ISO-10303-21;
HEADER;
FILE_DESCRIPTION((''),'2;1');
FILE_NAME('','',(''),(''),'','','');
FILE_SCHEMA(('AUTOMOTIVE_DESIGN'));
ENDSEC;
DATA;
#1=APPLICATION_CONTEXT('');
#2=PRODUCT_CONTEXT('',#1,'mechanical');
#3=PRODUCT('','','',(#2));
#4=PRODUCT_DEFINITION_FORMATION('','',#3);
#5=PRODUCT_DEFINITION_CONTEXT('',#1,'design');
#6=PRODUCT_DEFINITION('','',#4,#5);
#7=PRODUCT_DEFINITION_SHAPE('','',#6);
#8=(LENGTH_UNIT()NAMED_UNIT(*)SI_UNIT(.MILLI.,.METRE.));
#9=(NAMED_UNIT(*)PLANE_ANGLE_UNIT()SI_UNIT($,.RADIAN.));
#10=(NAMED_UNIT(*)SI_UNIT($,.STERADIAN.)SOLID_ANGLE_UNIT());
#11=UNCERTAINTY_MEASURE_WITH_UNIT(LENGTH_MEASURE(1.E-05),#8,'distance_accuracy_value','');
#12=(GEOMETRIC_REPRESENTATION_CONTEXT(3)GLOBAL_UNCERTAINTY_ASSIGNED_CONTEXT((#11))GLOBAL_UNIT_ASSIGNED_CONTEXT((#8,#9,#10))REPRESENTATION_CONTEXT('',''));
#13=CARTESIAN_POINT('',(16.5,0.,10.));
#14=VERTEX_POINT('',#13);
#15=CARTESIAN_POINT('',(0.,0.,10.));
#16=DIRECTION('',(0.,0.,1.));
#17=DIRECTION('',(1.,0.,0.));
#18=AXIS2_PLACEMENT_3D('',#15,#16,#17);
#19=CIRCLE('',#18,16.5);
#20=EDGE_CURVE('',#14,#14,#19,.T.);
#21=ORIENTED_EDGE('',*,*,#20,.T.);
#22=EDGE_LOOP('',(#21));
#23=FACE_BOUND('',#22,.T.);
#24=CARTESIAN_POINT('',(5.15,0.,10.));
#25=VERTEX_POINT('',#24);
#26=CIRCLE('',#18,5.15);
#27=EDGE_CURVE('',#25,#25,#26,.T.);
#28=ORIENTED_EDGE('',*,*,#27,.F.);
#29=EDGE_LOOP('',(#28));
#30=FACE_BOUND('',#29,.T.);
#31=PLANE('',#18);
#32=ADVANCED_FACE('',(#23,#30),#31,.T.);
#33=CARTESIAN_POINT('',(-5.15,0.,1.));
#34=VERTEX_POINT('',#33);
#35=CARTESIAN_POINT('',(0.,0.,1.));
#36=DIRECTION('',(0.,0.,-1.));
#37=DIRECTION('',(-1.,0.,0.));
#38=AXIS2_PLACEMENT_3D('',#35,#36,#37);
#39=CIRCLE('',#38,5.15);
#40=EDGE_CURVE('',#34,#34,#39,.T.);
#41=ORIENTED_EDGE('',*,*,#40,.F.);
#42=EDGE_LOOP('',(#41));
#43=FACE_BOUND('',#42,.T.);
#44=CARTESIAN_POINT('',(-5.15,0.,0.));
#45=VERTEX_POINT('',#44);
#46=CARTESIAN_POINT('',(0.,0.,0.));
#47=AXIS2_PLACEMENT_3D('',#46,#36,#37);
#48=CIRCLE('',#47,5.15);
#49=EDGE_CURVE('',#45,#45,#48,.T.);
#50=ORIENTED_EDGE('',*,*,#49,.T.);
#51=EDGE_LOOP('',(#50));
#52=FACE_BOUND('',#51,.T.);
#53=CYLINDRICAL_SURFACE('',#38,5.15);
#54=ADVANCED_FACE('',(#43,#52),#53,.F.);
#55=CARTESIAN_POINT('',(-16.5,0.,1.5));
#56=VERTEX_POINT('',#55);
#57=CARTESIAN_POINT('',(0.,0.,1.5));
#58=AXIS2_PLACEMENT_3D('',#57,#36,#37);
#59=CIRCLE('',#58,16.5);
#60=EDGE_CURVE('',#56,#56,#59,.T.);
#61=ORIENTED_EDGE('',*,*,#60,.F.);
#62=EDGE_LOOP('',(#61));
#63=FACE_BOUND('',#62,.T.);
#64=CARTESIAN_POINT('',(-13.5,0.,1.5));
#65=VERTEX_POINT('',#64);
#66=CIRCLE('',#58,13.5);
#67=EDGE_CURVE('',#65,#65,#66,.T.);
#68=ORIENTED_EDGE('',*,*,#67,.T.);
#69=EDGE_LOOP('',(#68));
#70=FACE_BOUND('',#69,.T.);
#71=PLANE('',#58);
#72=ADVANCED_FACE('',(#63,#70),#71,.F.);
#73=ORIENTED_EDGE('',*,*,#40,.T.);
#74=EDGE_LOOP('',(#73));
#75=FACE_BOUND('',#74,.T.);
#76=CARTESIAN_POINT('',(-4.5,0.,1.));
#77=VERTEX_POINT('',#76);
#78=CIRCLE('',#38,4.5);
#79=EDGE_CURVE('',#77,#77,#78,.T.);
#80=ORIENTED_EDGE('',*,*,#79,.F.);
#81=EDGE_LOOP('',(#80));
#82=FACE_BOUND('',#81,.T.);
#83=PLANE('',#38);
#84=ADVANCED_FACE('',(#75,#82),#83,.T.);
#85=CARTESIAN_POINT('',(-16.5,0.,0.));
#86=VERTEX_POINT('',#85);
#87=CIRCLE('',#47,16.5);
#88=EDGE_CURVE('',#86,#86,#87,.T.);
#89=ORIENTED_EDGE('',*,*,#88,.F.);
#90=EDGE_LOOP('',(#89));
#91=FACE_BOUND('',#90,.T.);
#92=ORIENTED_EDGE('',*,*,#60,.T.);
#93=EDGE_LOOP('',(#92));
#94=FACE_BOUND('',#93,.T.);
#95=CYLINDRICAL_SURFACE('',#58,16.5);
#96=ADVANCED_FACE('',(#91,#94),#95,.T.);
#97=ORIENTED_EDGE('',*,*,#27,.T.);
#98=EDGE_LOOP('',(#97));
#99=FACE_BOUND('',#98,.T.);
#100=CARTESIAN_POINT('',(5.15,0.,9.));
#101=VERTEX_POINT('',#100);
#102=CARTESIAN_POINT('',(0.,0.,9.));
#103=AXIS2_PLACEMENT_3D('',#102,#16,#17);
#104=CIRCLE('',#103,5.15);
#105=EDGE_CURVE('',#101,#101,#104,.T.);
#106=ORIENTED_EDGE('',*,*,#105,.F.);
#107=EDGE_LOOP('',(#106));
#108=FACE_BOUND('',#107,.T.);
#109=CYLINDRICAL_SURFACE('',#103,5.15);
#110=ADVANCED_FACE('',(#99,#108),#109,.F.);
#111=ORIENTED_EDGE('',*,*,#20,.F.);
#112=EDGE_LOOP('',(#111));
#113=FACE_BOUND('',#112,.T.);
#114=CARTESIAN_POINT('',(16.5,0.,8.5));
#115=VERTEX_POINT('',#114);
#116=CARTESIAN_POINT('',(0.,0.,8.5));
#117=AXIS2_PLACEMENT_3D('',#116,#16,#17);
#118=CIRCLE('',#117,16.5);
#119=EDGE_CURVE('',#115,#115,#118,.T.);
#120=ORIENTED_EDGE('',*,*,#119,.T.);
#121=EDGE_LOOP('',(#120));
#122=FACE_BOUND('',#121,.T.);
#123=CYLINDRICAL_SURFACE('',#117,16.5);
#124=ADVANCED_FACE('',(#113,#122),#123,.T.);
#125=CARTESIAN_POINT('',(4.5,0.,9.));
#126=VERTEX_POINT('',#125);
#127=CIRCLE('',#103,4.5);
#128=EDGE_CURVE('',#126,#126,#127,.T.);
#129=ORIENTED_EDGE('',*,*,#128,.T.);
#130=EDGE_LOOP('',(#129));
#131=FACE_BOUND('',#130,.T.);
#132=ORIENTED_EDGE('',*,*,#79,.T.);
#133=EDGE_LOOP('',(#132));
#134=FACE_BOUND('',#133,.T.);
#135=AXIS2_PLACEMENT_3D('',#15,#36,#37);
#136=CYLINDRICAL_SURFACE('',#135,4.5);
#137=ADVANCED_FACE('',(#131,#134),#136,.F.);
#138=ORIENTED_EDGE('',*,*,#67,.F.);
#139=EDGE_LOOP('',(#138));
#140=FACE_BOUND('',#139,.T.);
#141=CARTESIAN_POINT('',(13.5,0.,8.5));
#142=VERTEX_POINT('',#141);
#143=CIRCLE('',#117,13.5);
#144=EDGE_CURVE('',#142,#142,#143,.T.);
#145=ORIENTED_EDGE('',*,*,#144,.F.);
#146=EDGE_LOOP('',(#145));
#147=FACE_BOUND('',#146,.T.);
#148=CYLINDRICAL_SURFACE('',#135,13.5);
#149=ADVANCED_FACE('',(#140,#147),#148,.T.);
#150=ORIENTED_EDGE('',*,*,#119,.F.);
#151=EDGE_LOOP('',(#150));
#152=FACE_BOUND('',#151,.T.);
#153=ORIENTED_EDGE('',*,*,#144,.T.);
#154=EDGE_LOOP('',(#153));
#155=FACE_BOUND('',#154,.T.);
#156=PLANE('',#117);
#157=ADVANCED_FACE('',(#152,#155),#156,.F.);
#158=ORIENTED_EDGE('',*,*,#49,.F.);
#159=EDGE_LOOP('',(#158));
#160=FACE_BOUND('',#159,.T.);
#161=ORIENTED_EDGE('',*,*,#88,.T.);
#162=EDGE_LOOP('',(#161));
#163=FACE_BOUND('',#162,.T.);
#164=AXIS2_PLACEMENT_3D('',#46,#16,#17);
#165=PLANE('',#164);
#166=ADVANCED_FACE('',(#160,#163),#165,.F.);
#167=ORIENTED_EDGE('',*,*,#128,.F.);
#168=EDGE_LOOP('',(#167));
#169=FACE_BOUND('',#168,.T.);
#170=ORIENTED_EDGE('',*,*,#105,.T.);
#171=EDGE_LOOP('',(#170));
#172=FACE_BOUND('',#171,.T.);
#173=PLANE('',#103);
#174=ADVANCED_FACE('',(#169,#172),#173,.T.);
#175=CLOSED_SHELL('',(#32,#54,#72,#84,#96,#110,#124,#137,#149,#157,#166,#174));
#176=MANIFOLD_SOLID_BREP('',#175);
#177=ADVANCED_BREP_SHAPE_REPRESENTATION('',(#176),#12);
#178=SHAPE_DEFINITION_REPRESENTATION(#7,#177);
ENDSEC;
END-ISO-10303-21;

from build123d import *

# Parameters (mm, degrees)
SKETCH1_R           = 13.5
SKETCH1_R_2         = 4.5
BOSS_EXTRUDE1_DEPTH = 10
SKETCH2_R           = 5.15
CUT_EXTRUDE1_DEPTH  = 1
CUT_EXTRUDE2_START  = -1
SKETCH3_R           = 5.15
CUT_EXTRUDE2_DEPTH  = 1
BOSS_EXTRUDE2_START = -1.5
SKETCH4_R           = 16.5
SKETCH4_R_2         = 5.15
BOSS_EXTRUDE2_DEPTH = 1.5
SKETCH5_R           = 16.5
SKETCH5_R_2         = 5.15
BOSS_EXTRUDE3_DEPTH = 1.5


with BuildPart() as part:
    # Sketch1 → Boss-Extrude1 (new body)
    with BuildSketch(Plane.XY):
        Circle(SKETCH1_R)
        Circle(SKETCH1_R_2, mode=Mode.SUBTRACT)
    extrude(amount=BOSS_EXTRUDE1_DEPTH)

    # Sketch2 → Cut-Extrude1 (cut)
    with BuildSketch(Plane.XY.offset(10)):
        Circle(SKETCH2_R)
    extrude(amount=-CUT_EXTRUDE1_DEPTH, mode=Mode.SUBTRACT)

    # Sketch3 → Cut-Extrude2 (cut)
    with BuildSketch(Plane(origin=(0, 0, 0), x_dir=(-1, 0, 0), z_dir=(0, 0, -1)).offset(CUT_EXTRUDE2_START)):
        with Locations(Location((0, 0, 0), (0, 0, 180))):
            Circle(SKETCH3_R)
    extrude(amount=CUT_EXTRUDE2_DEPTH, mode=Mode.SUBTRACT)

    # Sketch4 → Boss-Extrude2 (add)
    with BuildSketch(Plane(origin=(0, 0, 0), x_dir=(-1, 0, 0), z_dir=(0, 0, -1)).offset(BOSS_EXTRUDE2_START)):
        Circle(SKETCH4_R)
        with Locations(Location((0, 0, 0), (0, 0, 180))):
            Circle(SKETCH4_R_2, mode=Mode.SUBTRACT)
    extrude(amount=BOSS_EXTRUDE2_DEPTH)

    # Sketch5 → Boss-Extrude3 (add)
    with BuildSketch(Plane.XY.offset(10)):
        with Locations(Location((0, 0, 0), (0, 0, 180))):
            Circle(SKETCH5_R)
        Circle(SKETCH5_R_2, mode=Mode.SUBTRACT)
    extrude(amount=-BOSS_EXTRUDE3_DEPTH)


solid = part.part
